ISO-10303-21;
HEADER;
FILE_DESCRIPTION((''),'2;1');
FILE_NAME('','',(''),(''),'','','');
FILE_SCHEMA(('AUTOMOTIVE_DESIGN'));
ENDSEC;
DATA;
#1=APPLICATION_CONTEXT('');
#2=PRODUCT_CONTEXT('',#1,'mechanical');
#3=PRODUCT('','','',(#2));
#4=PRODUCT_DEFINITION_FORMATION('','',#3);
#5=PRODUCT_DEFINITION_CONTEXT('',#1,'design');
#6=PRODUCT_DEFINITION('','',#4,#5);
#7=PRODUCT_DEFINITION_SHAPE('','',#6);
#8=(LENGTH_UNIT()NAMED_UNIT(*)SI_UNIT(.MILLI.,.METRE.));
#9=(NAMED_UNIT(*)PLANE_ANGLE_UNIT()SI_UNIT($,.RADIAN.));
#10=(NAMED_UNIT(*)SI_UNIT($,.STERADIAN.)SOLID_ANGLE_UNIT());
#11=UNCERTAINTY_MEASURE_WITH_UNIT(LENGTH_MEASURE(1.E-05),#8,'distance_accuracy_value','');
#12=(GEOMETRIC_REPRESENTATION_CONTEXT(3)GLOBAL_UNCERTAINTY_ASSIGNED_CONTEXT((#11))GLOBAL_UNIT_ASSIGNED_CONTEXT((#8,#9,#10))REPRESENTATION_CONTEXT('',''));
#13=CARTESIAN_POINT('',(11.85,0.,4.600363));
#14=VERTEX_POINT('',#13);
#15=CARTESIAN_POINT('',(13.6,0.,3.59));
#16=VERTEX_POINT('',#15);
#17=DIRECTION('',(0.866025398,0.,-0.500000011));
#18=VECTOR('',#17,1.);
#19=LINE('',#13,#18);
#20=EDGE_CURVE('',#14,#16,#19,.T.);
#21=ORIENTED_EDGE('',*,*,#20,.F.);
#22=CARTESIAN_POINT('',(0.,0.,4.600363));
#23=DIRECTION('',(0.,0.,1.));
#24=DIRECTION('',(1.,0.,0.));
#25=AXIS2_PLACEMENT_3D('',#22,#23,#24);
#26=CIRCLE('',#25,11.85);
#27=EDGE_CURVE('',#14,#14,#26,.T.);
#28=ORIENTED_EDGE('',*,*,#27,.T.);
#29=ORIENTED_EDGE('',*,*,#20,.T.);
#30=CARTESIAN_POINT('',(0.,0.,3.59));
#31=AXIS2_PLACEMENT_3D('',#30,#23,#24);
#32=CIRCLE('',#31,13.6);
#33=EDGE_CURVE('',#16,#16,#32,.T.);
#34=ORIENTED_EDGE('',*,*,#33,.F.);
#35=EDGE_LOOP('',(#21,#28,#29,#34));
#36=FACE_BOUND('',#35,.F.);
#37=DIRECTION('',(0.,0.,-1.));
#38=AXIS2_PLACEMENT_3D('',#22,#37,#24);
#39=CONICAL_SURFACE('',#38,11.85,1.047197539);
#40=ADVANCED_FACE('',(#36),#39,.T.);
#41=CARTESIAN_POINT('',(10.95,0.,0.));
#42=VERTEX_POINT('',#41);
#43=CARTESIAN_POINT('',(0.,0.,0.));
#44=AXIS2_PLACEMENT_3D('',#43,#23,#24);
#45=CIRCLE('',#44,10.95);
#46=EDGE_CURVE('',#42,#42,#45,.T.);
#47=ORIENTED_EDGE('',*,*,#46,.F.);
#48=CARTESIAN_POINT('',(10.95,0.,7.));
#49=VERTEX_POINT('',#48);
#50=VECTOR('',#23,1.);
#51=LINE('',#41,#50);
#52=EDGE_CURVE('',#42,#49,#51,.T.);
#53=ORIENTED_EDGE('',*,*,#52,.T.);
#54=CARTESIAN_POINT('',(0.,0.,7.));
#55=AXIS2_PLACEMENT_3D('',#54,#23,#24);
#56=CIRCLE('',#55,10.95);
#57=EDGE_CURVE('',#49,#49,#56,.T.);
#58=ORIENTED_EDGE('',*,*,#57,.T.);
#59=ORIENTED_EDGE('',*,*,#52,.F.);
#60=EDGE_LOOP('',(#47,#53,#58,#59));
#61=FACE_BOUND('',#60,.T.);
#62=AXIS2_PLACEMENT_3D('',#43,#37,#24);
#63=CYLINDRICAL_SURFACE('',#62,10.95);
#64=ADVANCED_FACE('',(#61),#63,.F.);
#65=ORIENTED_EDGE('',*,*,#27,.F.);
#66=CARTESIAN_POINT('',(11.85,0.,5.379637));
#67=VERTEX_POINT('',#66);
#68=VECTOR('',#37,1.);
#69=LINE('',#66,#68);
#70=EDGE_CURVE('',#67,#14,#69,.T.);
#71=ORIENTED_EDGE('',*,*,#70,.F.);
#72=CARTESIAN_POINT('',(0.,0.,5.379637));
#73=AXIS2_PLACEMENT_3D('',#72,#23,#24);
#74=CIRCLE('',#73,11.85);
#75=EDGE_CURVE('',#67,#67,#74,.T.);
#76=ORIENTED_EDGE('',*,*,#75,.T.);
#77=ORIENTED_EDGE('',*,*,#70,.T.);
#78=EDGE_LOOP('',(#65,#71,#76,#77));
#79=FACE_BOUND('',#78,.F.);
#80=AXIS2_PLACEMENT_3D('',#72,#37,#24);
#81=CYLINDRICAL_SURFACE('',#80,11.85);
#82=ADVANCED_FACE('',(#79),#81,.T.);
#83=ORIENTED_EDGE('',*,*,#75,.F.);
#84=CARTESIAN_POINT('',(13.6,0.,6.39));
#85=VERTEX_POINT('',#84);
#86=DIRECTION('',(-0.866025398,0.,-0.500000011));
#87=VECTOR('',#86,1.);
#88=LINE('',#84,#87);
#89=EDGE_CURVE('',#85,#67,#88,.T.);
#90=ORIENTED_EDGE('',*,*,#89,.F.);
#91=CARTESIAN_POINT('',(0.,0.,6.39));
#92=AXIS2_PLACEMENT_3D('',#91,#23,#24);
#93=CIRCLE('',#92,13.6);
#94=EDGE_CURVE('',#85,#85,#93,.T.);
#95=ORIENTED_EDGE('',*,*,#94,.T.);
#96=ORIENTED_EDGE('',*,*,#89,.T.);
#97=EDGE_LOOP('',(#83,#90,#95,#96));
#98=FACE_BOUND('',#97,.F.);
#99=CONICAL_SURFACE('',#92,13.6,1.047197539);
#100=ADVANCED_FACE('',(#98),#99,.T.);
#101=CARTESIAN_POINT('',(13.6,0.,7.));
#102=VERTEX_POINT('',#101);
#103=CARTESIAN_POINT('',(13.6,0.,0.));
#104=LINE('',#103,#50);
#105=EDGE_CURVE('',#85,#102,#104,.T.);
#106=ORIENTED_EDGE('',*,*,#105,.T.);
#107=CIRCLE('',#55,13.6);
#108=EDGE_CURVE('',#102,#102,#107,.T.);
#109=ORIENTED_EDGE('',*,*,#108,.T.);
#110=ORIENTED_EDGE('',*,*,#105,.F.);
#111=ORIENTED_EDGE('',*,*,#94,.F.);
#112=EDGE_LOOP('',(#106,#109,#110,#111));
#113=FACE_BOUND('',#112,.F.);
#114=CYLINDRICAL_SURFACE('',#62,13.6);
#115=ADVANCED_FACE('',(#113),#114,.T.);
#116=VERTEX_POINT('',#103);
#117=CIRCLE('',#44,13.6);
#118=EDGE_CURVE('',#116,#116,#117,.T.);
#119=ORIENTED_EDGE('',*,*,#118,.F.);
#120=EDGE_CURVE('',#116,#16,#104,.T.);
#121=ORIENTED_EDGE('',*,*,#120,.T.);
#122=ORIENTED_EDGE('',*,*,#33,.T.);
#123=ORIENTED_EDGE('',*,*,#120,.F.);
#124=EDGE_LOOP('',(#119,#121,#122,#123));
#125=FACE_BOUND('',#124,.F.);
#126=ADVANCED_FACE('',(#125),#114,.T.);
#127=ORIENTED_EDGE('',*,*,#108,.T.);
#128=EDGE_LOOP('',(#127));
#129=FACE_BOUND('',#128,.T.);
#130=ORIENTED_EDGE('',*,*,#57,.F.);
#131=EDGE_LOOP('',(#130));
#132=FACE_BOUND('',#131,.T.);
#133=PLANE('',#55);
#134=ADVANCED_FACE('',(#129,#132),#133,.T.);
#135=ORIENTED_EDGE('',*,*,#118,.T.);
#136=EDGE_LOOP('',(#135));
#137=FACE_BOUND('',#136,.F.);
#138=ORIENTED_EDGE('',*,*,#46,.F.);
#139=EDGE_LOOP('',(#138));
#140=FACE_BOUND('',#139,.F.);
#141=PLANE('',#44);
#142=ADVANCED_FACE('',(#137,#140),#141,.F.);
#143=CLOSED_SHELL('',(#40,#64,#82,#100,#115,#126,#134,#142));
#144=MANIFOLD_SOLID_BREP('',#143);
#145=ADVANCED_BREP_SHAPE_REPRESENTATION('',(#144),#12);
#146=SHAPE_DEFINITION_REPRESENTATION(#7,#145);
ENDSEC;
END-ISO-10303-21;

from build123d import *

# Parameters (mm, degrees)
F0_R     = 13.6
F0_R_2   = 10.95
F1_DEPTH = 7


with BuildPart() as f1:
    # F0 (on Top) → F1 (new body)
    with BuildSketch(Plane.XY):
        Circle(F0_R)
        Circle(F0_R_2, mode=Mode.SUBTRACT)
    extrude(amount=F1_DEPTH)

    # F2 (on Front) → F3 (revolve, cut)
    with BuildSketch(Plane.XZ):
        Polygon((13.6, 3.59), (13.6, 6.39), (11.85, 5.379637), (11.85, 4.600363), align=None)
    revolve(axis=Axis((0, 0, 7), (0, 0, 1)), mode=Mode.SUBTRACT)


solid = f1.part
